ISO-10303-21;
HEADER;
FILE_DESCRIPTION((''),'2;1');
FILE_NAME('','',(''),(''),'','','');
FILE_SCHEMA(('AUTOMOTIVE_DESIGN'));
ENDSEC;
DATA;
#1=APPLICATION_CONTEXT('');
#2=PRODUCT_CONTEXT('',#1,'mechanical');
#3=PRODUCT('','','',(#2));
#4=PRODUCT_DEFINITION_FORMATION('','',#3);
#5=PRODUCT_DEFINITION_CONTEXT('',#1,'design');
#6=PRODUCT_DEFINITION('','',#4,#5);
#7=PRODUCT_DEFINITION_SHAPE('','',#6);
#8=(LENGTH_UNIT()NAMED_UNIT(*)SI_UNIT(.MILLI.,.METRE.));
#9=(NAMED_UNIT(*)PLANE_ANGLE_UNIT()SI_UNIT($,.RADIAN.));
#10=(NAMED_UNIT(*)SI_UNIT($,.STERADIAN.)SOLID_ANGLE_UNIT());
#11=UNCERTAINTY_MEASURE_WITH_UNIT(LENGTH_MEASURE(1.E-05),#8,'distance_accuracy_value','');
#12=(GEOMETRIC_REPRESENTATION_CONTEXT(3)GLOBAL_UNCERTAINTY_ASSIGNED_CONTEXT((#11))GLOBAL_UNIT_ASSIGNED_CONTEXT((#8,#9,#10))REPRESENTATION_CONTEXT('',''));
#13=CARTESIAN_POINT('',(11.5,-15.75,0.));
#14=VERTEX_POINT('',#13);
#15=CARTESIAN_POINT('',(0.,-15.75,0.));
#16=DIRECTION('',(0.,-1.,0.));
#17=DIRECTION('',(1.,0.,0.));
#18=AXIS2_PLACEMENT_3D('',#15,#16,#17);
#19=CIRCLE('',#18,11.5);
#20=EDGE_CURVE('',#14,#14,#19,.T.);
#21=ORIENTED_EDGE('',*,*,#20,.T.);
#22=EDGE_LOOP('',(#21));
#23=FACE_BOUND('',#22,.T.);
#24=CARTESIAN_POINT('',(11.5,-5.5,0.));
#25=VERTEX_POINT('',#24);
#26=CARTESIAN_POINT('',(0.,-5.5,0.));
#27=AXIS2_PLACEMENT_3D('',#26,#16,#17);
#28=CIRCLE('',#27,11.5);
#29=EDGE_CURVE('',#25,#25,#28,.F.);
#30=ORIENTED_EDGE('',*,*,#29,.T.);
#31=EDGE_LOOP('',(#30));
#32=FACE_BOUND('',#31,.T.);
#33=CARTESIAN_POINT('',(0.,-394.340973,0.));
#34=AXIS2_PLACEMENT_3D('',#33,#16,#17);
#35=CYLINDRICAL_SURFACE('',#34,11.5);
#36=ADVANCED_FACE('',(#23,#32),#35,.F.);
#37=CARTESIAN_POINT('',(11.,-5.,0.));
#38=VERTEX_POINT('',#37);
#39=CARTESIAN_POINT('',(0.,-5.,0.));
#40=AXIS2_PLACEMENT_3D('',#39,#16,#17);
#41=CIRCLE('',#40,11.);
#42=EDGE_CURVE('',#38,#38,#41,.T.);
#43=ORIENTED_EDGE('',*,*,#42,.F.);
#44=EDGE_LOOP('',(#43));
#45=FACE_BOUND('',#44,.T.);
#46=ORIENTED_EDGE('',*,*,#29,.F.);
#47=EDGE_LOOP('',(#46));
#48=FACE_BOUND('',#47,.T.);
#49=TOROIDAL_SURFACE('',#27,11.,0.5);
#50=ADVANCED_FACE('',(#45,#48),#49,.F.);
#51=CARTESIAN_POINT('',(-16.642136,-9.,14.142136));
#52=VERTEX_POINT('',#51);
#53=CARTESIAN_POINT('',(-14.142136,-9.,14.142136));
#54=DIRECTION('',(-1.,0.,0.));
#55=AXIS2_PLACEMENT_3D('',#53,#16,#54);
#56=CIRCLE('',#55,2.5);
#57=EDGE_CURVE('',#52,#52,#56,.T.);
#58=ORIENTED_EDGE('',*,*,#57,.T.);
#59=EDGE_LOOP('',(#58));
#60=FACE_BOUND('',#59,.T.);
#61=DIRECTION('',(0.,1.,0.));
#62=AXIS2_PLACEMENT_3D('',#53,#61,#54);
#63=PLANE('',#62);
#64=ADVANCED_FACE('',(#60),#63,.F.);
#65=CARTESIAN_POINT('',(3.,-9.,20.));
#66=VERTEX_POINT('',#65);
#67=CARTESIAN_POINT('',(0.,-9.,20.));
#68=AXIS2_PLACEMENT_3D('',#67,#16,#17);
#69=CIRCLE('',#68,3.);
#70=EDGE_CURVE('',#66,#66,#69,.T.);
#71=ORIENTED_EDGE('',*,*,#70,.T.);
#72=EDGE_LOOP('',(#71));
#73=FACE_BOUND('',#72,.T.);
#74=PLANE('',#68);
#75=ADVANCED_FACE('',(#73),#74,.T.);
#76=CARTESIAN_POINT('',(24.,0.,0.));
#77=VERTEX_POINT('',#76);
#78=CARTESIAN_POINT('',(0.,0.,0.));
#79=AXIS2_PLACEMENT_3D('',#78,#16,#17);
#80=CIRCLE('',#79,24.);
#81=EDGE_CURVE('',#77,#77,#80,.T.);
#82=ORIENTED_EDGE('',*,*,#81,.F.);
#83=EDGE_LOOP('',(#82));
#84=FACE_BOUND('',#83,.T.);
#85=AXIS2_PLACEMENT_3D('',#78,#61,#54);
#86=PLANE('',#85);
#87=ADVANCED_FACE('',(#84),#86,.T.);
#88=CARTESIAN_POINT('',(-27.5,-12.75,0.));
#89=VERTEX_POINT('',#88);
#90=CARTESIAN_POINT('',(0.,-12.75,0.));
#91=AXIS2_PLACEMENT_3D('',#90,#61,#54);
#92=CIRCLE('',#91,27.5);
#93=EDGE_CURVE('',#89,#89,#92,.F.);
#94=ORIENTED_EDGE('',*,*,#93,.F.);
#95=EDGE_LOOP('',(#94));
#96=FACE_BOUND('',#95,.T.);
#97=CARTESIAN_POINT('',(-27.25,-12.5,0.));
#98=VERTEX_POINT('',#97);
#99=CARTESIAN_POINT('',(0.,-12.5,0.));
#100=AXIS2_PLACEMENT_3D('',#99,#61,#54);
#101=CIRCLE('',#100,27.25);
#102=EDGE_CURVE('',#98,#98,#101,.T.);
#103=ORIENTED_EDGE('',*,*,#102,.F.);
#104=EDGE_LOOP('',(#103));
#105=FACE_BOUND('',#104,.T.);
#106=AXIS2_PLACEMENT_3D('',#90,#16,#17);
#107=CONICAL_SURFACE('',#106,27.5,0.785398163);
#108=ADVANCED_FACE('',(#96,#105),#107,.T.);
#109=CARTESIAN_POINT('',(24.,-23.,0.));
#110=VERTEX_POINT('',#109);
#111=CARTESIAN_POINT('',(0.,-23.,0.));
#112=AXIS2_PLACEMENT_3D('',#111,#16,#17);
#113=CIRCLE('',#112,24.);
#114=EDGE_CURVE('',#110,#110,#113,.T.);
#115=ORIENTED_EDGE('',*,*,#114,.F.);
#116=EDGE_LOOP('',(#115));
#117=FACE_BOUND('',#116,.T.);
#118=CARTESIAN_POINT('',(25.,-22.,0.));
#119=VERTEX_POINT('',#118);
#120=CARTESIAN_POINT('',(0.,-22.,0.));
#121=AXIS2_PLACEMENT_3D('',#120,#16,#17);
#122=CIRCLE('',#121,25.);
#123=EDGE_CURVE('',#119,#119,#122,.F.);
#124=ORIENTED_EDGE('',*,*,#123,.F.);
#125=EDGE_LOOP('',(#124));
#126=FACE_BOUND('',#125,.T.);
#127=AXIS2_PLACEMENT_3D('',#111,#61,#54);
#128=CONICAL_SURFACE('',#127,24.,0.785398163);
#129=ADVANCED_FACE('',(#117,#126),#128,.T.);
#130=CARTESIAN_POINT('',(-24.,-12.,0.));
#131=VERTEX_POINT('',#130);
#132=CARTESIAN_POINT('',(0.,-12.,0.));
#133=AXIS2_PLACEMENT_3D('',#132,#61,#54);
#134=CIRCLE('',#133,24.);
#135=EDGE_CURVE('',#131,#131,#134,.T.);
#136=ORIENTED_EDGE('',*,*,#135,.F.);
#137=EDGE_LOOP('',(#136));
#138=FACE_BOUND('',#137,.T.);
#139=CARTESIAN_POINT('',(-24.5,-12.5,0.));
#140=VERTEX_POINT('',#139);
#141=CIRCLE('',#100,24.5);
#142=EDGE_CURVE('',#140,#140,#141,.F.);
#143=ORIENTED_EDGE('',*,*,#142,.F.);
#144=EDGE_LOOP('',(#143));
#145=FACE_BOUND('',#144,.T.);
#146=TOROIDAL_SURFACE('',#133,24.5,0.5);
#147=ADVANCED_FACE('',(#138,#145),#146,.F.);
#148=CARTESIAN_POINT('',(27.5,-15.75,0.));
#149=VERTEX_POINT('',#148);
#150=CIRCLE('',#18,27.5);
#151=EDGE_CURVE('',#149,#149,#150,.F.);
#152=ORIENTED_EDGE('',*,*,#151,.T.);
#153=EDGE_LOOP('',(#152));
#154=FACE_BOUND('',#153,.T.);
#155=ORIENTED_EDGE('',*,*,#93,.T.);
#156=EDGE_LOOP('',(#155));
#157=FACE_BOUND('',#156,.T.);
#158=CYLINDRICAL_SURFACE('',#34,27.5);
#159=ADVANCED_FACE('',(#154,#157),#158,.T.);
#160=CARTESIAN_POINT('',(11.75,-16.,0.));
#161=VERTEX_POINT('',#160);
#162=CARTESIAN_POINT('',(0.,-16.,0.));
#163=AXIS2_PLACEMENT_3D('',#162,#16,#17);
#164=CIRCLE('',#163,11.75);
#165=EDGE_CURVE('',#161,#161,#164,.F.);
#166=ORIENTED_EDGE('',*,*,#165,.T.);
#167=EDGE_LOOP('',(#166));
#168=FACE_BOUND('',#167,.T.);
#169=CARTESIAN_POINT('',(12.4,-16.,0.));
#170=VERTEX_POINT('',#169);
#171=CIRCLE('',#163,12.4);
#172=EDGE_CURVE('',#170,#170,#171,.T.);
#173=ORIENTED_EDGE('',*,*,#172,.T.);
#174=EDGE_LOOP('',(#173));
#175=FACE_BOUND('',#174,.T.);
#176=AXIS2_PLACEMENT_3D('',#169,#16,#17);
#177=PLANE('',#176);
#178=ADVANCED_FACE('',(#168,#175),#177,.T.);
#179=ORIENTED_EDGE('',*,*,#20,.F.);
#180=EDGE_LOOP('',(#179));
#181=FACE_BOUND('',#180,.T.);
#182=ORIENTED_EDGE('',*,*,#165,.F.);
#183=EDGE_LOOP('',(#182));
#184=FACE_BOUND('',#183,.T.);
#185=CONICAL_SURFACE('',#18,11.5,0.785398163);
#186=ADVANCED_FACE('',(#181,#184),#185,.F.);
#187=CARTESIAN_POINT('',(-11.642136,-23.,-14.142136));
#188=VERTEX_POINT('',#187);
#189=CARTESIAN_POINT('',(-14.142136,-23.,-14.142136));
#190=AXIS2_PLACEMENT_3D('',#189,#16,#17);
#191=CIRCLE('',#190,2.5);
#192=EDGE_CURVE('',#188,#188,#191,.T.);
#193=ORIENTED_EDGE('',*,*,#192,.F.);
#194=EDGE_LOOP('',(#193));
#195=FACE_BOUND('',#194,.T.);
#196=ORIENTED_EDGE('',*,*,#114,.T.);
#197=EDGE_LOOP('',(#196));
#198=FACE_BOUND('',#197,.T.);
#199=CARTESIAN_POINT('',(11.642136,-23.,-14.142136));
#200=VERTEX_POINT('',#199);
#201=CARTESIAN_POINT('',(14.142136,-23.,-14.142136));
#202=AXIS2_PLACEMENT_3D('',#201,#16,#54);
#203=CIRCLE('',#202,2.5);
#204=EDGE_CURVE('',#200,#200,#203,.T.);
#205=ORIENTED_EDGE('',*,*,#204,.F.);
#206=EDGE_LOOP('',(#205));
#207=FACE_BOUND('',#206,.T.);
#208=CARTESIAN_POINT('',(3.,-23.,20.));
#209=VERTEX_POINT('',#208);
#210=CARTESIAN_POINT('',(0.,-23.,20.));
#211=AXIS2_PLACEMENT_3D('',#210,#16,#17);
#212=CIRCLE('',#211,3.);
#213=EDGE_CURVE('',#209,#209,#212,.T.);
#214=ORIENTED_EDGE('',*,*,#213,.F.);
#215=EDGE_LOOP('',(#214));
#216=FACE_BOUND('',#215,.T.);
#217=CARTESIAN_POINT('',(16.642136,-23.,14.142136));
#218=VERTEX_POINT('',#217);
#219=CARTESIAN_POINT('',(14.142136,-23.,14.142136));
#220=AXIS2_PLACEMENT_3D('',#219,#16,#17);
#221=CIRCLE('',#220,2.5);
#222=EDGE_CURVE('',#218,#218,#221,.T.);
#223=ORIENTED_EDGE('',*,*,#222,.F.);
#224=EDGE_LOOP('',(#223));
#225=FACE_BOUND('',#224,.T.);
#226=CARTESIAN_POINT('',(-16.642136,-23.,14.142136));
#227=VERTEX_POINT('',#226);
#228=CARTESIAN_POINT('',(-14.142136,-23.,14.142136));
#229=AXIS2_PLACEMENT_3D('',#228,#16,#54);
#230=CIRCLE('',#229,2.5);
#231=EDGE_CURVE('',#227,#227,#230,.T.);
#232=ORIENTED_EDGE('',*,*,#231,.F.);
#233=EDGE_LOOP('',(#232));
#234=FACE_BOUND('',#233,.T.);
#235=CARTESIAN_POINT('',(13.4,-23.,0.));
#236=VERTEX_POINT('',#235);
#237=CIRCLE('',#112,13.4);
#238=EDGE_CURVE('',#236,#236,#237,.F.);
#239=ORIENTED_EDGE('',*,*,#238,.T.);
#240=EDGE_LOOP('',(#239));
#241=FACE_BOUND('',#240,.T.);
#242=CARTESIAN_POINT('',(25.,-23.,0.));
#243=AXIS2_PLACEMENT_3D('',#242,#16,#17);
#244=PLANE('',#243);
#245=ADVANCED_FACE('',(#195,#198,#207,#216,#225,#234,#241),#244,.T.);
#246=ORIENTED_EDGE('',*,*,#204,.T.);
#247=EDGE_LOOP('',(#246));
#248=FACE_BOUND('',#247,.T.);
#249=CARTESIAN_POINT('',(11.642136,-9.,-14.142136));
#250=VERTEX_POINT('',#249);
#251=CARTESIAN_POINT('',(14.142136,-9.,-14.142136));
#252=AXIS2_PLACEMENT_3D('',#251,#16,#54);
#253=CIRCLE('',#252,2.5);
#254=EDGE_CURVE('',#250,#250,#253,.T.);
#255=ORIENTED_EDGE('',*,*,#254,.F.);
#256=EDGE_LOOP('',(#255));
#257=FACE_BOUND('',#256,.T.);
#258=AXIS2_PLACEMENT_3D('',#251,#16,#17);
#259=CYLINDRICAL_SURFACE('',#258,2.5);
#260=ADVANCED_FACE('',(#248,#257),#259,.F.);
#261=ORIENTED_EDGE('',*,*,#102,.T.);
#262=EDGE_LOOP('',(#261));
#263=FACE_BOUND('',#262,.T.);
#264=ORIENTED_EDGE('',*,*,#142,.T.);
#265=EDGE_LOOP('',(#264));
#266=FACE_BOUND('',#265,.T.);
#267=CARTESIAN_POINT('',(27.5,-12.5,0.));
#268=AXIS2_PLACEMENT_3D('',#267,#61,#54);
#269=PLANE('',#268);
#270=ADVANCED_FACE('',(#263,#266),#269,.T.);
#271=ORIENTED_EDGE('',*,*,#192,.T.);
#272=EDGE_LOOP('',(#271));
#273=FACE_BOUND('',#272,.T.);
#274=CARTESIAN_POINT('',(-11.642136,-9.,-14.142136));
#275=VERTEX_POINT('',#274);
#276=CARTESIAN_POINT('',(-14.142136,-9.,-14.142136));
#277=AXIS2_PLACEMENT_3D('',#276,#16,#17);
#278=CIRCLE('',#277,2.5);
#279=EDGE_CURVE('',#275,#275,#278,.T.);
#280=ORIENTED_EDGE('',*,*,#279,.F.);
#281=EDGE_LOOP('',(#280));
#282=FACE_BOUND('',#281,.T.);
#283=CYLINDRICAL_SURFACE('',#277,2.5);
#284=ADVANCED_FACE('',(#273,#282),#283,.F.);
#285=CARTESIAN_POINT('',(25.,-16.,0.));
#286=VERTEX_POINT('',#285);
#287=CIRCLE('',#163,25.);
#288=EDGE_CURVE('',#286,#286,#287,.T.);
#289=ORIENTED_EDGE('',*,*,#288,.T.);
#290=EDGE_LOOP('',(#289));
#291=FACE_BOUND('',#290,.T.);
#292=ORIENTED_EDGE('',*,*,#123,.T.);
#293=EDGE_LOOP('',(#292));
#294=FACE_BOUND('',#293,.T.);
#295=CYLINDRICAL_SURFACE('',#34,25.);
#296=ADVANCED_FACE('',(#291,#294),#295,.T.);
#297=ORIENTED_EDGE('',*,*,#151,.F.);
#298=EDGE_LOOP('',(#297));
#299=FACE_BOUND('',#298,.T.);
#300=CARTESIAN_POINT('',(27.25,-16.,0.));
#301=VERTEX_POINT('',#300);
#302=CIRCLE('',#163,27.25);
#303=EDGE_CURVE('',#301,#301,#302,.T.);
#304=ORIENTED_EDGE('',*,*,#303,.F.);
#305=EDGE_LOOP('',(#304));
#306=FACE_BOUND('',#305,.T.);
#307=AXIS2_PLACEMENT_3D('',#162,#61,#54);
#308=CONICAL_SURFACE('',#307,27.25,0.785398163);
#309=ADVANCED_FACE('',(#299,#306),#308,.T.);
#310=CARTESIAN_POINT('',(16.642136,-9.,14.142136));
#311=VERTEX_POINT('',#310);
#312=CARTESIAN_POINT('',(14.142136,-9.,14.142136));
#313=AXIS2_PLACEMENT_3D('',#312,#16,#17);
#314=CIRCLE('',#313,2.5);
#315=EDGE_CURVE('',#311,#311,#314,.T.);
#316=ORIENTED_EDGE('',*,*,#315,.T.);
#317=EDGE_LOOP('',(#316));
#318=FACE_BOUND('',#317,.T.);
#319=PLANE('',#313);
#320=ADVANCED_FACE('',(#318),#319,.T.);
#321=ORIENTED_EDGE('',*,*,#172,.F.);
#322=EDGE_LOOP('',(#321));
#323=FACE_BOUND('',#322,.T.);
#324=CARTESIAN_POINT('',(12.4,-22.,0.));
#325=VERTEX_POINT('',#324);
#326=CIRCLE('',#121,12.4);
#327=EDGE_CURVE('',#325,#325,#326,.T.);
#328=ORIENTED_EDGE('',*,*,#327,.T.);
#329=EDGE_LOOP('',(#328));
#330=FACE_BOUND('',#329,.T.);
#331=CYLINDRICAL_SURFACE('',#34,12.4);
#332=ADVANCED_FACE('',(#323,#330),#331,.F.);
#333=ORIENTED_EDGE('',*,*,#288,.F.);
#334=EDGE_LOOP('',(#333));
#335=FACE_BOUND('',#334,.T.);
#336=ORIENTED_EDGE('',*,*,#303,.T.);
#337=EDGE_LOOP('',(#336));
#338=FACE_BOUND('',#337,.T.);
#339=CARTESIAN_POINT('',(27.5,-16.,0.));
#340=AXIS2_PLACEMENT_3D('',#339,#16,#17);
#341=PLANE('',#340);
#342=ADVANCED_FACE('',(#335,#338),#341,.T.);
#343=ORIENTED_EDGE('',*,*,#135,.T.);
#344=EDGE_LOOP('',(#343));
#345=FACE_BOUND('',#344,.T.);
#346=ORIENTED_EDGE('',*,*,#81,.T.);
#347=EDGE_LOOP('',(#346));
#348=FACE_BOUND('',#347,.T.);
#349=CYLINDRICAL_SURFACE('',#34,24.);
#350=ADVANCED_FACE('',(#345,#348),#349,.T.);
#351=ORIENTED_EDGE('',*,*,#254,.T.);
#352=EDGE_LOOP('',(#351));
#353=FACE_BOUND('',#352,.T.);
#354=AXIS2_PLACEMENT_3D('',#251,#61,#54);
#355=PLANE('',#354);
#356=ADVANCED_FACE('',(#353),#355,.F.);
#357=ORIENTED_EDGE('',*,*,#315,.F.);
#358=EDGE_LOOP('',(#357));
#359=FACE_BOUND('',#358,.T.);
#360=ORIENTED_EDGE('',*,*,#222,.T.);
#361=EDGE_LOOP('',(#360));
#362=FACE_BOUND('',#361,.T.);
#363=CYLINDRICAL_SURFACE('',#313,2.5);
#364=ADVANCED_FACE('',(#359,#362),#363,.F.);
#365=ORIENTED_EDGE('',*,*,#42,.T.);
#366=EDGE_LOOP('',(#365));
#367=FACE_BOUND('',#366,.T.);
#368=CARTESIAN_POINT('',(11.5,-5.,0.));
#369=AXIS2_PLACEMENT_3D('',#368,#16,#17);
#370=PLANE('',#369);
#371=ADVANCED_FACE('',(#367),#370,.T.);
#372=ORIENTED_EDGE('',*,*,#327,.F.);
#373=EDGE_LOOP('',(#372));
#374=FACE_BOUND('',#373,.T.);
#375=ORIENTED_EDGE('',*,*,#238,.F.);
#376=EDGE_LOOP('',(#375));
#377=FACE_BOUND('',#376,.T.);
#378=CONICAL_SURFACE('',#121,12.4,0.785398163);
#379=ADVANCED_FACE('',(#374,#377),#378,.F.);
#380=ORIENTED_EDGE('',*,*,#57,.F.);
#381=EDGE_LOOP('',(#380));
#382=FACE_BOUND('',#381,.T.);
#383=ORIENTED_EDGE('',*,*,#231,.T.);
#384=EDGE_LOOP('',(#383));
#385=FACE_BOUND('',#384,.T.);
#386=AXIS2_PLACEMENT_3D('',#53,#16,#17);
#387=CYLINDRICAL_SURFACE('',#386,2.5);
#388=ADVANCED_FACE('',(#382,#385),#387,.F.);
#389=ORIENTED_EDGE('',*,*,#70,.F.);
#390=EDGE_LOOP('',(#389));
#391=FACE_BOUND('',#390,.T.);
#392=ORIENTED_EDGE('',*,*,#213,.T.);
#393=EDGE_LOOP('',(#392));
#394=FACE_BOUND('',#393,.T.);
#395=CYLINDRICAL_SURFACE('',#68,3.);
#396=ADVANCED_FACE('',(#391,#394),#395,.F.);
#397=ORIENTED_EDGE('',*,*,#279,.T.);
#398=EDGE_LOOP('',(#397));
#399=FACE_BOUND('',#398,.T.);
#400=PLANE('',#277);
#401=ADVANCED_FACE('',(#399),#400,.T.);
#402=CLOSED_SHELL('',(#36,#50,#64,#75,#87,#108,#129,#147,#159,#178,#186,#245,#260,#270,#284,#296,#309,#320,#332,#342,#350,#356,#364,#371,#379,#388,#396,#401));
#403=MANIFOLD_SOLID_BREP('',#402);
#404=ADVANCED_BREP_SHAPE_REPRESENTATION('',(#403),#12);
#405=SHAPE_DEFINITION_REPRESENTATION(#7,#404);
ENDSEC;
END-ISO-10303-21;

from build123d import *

# Parameters (mm, degrees)
CHAMFER1_SIZE      = 1
CHAMFER2_SIZE      = 0.25
FILLET1_R          = 0.5
SKETCH2_R          = 2.5
SKETCH2_R_2        = 3
CUT_EXTRUDE1_DEPTH = 14


with BuildPart() as part:
    # Sketch1 → Revolve1 (revolve)
    with BuildSketch(Plane.XY):
        Polygon((27.5, -12.5), (27.5, -16), (25, -16), (25, -23), (12.4, -23), (12.4, -16), (11.5, -16), (11.5, -5), (0, -5), (0, 0), (24, 0), (24, -12.5), align=None)
    revolve(axis=Axis((0, -394.340972919, 0), (0, 1, 0)))

    # Chamfer1
    chamfer1_edges = [part.edges().sort_by_distance(p)[0] for p in [
        (-12.4, -23, 0),
        (-25, -23, 0),
    ]]
    chamfer(chamfer1_edges, length=CHAMFER1_SIZE)

    # Chamfer2
    chamfer2_edges = [part.edges().sort_by_distance(p)[0] for p in [
        (-11.5, -16, 0),
        (-27.5, -12.5, 0),
        (-27.5, -16, 0),
    ]]
    chamfer(chamfer2_edges, length=CHAMFER2_SIZE)

    # Fillet1
    fillet1_edges = [part.edges().sort_by_distance(p)[0] for p in [
        (-11.5, -5, 0),
        (-24, -12.5, 0),
    ]]
    fillet(fillet1_edges, radius=FILLET1_R)

    # Sketch2 → Cut-Extrude1 (cut)
    with BuildSketch(Plane.XZ.offset(23)):
        with Locations((14.142135624, 14.142135624)):
            Circle(SKETCH2_R)
        with Locations((-14.142135624, 14.142135624)):
            Circle(SKETCH2_R)
        with Locations((14.142135624, -14.142135624)):
            Circle(SKETCH2_R)
        with Locations((-14.142135624, -14.142135624)):
            Circle(SKETCH2_R)
        with Locations((0, 20)):
            Circle(SKETCH2_R_2)
    extrude(amount=-CUT_EXTRUDE1_DEPTH, mode=Mode.SUBTRACT)


solid = part.part
